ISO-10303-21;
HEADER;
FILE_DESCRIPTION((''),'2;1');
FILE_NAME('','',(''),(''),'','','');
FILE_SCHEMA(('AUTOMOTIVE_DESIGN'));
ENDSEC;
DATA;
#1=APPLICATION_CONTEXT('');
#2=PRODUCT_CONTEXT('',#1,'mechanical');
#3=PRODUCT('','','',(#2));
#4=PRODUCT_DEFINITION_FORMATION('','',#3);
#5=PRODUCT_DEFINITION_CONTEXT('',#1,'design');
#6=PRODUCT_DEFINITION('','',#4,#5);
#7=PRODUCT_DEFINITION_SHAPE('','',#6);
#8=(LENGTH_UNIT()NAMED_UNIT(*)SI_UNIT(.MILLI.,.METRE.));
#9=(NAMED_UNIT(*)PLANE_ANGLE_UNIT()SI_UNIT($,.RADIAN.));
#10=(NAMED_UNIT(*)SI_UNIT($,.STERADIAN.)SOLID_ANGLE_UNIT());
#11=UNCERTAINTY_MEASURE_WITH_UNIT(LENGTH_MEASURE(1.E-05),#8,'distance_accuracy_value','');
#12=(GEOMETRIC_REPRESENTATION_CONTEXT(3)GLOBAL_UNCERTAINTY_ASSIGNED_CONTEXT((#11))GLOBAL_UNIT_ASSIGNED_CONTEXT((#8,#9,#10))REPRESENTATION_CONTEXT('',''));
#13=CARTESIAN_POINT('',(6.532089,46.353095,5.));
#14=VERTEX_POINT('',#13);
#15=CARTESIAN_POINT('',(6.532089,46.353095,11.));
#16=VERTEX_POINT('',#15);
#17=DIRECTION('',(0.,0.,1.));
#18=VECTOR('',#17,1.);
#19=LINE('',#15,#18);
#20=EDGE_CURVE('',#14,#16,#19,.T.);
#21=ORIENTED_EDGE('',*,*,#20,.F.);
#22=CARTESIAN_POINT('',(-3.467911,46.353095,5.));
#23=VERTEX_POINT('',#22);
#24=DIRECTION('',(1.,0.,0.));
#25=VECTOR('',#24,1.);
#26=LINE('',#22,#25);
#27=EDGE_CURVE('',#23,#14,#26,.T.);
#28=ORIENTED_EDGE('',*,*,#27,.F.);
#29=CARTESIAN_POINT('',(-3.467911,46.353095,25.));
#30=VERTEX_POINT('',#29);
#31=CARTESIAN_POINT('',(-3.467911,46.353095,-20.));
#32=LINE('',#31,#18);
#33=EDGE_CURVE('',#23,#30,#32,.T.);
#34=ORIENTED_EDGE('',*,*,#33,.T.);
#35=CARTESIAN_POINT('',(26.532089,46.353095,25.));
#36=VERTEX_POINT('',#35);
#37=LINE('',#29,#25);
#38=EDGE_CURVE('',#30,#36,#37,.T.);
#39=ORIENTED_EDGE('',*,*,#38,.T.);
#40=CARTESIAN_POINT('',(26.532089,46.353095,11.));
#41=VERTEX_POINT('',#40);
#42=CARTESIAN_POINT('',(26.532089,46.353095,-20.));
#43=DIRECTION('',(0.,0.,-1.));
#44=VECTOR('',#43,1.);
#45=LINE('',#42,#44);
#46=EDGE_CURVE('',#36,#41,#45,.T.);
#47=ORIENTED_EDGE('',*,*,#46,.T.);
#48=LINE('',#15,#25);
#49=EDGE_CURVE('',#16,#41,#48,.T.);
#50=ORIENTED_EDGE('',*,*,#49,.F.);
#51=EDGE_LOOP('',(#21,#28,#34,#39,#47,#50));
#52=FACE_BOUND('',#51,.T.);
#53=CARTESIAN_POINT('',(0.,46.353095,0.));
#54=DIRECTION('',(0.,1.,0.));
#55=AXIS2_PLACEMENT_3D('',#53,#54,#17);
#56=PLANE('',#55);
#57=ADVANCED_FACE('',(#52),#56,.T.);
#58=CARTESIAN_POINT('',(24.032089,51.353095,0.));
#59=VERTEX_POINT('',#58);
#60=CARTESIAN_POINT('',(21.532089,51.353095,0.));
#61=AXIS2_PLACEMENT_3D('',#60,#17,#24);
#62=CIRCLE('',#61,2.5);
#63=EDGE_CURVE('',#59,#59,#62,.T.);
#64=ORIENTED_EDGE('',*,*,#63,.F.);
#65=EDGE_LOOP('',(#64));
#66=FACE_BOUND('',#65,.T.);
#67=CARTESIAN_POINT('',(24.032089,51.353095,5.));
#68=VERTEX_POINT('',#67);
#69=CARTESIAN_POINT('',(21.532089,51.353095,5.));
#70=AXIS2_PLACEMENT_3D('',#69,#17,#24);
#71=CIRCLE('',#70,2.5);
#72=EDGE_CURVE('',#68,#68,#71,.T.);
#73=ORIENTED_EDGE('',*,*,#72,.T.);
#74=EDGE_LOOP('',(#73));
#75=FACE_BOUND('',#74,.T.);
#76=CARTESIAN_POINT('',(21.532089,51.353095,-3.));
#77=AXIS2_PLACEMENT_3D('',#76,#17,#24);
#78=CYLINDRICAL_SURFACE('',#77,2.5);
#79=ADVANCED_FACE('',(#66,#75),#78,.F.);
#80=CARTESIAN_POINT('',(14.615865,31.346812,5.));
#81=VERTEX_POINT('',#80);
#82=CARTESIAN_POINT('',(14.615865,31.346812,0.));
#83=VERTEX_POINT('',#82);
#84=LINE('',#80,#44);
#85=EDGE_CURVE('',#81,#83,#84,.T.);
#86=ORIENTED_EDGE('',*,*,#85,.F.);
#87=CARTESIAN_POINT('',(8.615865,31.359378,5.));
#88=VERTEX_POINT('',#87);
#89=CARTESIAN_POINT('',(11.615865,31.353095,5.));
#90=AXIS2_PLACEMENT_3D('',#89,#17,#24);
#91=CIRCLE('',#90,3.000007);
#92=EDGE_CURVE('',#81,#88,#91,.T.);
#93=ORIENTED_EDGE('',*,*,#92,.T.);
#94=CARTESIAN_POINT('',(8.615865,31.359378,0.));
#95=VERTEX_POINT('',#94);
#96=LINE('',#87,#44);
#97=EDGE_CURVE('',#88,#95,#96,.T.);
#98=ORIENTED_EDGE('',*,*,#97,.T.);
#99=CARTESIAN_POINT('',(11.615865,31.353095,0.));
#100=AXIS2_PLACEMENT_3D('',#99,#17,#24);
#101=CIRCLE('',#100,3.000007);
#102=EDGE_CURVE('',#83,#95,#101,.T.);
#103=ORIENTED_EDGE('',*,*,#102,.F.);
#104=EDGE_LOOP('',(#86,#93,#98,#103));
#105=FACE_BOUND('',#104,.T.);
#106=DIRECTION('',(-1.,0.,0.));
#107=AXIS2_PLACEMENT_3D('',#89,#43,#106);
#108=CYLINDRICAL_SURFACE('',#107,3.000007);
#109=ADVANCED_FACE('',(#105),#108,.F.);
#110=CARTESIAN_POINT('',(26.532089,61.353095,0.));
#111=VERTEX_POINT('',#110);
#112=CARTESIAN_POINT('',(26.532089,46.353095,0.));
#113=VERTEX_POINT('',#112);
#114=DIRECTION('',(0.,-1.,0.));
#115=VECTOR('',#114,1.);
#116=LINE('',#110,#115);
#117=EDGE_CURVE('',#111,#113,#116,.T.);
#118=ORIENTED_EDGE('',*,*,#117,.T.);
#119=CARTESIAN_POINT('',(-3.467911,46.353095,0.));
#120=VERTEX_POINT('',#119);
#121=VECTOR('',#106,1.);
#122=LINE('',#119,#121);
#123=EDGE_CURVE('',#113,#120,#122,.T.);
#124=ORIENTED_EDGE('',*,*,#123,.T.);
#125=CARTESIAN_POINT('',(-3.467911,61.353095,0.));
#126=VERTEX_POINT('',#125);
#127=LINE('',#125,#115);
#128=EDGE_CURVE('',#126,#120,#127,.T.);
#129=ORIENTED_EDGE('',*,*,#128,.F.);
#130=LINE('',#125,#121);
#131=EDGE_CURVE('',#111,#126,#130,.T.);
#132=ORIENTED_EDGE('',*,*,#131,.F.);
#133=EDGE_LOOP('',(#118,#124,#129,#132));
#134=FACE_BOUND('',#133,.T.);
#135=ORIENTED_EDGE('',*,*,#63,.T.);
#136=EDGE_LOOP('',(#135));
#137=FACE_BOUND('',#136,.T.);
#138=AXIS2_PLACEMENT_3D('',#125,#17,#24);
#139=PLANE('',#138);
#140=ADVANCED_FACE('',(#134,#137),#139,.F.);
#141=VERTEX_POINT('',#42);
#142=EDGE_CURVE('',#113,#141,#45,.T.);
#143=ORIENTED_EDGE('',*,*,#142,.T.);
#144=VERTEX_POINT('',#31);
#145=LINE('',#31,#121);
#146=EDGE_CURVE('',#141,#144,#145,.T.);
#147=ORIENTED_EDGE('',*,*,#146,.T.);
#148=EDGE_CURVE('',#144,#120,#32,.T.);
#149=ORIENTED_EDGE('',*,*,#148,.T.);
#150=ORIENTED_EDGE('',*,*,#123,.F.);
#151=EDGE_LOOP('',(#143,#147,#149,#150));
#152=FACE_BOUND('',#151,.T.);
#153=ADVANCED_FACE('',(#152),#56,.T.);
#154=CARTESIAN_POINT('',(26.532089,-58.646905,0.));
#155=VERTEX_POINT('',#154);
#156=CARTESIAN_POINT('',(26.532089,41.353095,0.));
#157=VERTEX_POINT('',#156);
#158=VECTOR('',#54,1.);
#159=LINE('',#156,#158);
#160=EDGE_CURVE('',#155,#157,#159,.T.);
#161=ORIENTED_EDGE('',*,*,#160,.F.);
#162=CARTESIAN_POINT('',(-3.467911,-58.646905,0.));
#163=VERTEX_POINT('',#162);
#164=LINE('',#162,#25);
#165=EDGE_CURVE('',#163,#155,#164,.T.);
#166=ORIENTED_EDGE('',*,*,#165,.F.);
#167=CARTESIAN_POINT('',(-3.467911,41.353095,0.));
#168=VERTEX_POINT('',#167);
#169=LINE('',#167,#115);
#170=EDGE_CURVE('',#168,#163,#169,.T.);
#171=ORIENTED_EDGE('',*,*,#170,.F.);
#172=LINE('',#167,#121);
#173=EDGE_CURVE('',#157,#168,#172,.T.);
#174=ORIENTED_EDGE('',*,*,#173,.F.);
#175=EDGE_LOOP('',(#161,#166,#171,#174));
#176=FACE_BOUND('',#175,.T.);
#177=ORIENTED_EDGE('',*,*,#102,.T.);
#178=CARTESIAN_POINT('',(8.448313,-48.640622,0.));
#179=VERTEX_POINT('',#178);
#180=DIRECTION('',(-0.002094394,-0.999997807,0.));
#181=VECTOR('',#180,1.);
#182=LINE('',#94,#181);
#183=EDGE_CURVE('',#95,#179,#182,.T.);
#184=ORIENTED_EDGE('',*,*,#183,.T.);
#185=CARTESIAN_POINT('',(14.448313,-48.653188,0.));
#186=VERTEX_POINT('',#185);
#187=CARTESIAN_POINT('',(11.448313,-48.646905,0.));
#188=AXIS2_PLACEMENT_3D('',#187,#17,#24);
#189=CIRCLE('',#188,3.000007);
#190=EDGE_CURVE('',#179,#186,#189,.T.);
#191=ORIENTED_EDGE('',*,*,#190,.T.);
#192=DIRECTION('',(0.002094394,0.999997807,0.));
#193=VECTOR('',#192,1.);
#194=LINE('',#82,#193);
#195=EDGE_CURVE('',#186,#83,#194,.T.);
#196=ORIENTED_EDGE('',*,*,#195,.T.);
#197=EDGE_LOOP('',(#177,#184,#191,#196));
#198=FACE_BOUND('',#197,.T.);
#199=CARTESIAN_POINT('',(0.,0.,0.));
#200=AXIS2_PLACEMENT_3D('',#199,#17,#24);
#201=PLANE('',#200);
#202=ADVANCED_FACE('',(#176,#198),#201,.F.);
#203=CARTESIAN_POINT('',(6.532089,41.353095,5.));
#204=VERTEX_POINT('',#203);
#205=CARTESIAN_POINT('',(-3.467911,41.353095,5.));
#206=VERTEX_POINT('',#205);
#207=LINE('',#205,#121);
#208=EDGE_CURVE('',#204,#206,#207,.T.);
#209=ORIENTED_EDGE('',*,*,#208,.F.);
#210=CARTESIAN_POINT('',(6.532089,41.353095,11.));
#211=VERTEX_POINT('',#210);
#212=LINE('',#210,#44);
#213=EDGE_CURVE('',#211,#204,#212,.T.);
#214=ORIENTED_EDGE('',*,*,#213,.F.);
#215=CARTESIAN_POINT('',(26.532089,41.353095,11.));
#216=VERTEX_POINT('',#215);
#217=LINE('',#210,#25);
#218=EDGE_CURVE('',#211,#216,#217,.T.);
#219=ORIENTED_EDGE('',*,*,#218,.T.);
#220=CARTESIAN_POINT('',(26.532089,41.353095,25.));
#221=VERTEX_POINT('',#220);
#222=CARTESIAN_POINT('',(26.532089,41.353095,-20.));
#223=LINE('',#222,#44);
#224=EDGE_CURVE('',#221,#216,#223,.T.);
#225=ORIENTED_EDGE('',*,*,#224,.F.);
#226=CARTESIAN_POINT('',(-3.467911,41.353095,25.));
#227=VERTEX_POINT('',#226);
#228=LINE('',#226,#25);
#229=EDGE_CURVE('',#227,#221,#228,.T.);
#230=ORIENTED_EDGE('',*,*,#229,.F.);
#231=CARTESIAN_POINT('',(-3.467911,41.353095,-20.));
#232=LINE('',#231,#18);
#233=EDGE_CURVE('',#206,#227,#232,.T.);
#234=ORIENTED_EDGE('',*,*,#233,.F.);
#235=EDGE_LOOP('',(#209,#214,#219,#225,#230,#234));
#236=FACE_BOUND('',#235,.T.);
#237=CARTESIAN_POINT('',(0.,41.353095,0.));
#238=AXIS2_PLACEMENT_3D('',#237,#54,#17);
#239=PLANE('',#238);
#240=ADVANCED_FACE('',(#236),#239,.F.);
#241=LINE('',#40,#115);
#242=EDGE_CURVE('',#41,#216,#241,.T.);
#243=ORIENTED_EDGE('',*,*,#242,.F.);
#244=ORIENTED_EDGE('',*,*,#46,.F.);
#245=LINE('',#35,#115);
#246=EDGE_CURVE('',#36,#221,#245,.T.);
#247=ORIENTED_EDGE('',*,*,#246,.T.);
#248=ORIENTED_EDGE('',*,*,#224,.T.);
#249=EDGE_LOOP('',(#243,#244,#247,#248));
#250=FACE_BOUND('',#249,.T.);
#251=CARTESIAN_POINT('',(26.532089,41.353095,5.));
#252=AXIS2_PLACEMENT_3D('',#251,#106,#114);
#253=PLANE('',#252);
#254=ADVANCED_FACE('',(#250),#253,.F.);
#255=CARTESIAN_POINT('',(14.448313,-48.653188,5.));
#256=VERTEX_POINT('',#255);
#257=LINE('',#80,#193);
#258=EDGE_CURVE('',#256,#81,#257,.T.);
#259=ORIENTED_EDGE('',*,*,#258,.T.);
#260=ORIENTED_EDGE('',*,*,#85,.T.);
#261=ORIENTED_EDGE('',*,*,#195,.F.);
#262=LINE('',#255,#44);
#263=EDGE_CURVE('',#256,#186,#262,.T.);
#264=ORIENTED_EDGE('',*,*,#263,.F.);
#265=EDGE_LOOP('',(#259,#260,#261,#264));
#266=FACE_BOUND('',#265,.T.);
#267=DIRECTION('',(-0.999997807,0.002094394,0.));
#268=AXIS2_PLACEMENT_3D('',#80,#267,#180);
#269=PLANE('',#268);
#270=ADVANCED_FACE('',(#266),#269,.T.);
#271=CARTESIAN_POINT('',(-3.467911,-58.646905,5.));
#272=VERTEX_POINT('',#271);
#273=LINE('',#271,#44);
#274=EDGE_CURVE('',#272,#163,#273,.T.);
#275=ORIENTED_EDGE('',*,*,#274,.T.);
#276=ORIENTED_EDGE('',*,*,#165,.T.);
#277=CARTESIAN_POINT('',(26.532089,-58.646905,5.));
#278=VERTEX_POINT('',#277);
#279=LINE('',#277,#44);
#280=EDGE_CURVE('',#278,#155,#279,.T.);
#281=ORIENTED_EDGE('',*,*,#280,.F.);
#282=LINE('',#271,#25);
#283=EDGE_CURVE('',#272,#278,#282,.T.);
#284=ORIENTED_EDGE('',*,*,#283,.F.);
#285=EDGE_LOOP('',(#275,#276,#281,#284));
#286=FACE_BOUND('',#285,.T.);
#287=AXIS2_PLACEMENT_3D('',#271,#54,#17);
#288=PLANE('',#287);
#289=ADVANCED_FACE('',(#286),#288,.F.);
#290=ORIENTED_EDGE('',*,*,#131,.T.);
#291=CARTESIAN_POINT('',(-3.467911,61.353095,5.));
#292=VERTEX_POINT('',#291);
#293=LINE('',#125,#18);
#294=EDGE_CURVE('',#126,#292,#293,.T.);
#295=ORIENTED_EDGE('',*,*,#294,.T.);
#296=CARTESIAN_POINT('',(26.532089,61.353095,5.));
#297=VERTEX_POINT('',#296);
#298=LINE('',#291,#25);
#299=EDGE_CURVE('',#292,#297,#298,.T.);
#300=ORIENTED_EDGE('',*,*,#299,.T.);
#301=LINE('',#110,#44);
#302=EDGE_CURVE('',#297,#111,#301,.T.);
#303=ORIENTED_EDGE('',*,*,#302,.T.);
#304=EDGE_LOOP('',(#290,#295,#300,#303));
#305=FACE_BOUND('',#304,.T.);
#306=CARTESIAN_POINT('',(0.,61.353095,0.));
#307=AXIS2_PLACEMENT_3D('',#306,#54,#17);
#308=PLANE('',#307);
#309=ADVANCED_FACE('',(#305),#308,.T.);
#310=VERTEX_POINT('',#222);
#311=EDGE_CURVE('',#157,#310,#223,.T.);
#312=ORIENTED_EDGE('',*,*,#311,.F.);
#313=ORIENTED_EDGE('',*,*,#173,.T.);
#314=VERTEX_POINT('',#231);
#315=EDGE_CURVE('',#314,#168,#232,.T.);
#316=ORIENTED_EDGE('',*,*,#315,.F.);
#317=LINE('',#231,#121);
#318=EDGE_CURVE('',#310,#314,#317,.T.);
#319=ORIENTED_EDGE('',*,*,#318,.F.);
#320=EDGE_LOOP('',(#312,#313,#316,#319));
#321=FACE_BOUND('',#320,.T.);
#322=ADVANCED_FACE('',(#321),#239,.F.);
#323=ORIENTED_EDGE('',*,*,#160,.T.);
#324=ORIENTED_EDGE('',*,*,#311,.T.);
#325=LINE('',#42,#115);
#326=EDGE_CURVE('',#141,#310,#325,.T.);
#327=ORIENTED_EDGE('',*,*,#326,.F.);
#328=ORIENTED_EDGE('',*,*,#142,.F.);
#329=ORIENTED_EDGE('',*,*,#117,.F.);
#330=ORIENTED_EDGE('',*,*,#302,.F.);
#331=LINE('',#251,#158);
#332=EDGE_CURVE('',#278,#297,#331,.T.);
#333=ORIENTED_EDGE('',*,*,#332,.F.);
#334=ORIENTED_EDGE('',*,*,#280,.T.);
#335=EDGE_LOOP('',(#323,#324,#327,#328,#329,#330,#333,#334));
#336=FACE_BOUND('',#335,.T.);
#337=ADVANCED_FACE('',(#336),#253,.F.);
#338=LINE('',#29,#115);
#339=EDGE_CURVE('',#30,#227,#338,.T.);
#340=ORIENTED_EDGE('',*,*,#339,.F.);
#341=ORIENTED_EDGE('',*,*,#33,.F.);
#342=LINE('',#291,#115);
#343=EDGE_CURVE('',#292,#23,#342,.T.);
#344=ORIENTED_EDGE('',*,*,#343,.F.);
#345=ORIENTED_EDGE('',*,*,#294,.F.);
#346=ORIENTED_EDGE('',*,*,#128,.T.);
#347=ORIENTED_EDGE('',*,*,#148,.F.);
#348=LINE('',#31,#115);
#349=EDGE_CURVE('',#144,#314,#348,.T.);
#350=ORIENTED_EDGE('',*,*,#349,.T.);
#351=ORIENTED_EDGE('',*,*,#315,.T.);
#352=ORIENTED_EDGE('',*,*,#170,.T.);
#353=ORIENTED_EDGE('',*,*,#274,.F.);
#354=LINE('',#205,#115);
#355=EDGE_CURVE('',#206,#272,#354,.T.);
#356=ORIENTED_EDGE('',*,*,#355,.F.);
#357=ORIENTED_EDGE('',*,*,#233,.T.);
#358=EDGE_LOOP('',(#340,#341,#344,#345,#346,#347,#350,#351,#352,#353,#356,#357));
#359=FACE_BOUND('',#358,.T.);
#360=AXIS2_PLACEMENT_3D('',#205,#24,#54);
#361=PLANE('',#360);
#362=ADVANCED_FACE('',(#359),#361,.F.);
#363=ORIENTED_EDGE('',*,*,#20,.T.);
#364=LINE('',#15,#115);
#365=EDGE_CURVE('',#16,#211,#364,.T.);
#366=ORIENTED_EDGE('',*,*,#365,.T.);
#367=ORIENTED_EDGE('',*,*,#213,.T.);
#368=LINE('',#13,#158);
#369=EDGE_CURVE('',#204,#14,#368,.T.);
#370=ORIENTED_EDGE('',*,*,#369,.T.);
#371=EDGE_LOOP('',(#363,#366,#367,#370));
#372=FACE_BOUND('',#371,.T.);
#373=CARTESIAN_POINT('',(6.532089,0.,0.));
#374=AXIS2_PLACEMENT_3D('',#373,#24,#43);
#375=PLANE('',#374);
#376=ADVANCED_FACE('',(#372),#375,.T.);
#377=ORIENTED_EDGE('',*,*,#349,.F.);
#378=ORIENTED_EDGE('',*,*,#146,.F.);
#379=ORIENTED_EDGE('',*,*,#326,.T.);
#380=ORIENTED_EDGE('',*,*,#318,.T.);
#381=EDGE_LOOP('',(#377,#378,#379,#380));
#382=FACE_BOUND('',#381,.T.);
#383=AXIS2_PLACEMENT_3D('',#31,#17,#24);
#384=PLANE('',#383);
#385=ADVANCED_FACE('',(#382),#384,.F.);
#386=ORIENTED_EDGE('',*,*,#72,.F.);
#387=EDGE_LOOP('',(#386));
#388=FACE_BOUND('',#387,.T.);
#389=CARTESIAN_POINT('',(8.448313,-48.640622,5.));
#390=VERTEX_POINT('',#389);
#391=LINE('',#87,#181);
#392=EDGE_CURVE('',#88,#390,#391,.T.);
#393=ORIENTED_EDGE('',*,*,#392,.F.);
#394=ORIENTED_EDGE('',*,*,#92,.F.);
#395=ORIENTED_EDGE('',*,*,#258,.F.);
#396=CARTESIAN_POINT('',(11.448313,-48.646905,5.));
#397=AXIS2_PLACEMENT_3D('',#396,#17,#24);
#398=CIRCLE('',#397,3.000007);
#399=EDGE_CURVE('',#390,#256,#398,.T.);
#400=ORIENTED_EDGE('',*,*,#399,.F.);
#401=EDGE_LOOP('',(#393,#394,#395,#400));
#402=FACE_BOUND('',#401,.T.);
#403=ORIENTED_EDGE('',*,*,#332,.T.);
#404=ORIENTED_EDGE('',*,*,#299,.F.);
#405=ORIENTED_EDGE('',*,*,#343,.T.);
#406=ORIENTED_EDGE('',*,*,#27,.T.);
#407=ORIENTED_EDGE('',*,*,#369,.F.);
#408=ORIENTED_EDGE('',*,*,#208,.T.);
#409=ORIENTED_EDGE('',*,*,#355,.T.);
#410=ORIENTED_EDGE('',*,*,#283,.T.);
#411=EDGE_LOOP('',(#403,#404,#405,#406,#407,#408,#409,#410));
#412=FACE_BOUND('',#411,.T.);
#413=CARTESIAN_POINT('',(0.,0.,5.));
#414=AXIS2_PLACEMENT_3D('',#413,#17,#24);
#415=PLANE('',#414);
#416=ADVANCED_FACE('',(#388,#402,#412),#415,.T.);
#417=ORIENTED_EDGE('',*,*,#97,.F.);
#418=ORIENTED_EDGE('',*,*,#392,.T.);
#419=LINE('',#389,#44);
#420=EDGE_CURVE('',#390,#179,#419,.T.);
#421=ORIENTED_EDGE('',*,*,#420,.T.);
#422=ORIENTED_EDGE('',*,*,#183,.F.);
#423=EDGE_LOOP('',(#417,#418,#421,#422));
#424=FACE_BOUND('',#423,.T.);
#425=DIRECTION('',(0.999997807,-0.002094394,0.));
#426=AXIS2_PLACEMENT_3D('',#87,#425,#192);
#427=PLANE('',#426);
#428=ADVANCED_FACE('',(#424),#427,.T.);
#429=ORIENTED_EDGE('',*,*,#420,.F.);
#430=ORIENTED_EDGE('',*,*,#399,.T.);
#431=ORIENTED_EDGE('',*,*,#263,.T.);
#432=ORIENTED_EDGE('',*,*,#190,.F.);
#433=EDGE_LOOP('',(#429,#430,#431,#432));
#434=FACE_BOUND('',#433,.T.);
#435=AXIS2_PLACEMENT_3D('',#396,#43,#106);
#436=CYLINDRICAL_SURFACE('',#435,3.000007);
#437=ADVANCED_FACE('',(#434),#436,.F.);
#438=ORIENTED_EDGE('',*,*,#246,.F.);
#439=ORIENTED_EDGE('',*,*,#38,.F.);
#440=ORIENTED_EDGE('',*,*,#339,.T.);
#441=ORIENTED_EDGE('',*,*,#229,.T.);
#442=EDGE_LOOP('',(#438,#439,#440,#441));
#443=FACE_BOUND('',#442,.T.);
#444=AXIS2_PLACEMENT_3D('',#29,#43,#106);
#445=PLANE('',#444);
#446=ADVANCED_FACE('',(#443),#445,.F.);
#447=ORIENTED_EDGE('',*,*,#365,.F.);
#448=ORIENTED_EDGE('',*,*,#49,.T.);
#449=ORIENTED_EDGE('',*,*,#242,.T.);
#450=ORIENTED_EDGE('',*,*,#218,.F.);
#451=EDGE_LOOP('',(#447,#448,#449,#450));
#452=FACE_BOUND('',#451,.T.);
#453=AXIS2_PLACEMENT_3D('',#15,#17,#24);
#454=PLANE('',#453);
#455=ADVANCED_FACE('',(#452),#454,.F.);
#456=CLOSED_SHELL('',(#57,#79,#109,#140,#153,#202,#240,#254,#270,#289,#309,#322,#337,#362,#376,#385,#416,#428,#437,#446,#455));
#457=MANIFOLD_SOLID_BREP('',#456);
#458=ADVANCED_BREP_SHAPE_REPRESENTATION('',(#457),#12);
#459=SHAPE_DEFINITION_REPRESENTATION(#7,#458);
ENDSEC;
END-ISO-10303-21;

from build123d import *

# Parameters (mm, degrees)
SKETCH1_W           = 30
SKETCH1_H           = 100
BOSS_EXTRUDE1_DEPTH = 5
SKETCH2_W           = 30
SKETCH2_H           = 45
BOSS_EXTRUDE2_DEPTH = 5
SKETCH3_W           = 30
SKETCH3_H           = 5
BOSS_EXTRUDE3_DEPTH = 15
SKETCH4_R           = 2.5
CUT_EXTRUDE1_DEPTH  = 8
SKETCH5_W           = 6
SKETCH5_H           = 5
CUT_EXTRUDE2_DEPTH  = 20


with BuildPart() as part:
    # Sketch1 → Boss-Extrude1 (new body)
    with BuildSketch(Plane.XY):
        with Locations((11.532089338, -8.646905221)):
            Rectangle(SKETCH1_W, SKETCH1_H)
        with BuildLine():
            Line((14.615865264, 31.346811585), (14.448313411, -48.653188415))
            ThreePointArc((14.448313411, -48.653188415), (11.442030217, -51.646905221), (8.448313411, -48.640622026))
            Line((8.448313411, -48.640622026), (8.615865264, 31.359377974))
            ThreePointArc((8.615865264, 31.359377974), (11.622148459, 34.353094779), (14.615865264, 31.346811585))
        make_face(mode=Mode.SUBTRACT)
    extrude(amount=BOSS_EXTRUDE1_DEPTH)

    # Sketch2 → Boss-Extrude2 (add)
    with BuildSketch(Plane(origin=(0, 41.353094779, 0), x_dir=(1, 0, 0), z_dir=(0, 1, 0))):
        with Locations((11.532089338, -2.5)):
            Rectangle(SKETCH2_W, SKETCH2_H)
    extrude(amount=BOSS_EXTRUDE2_DEPTH)

    # Sketch3 → Boss-Extrude3 (add)
    with BuildSketch(Plane(origin=(0, 46.353094779, 0), x_dir=(1, 0, 0), z_dir=(0, 1, 0))):
        with Locations((11.532089338, -2.5)):
            Rectangle(SKETCH3_W, SKETCH3_H)
    extrude(amount=BOSS_EXTRUDE3_DEPTH)

    # Sketch4 → Cut-Extrude1 (cut)
    with BuildSketch(Plane.XY.offset(5)):
        with Locations((21.532089338, 51.353094779)):
            Circle(SKETCH4_R)
    extrude(amount=-CUT_EXTRUDE1_DEPTH, mode=Mode.SUBTRACT)

    # Sketch5 → Cut-Extrude2 (cut)
    with BuildSketch(Plane(origin=(26.532089338, 0, 0), x_dir=(0, 0, -1), z_dir=(1, 0, 0))):
        with Locations((-8, 43.853094779)):
            Rectangle(SKETCH5_W, SKETCH5_H)
    extrude(amount=-CUT_EXTRUDE2_DEPTH, mode=Mode.SUBTRACT)


solid = part.part
